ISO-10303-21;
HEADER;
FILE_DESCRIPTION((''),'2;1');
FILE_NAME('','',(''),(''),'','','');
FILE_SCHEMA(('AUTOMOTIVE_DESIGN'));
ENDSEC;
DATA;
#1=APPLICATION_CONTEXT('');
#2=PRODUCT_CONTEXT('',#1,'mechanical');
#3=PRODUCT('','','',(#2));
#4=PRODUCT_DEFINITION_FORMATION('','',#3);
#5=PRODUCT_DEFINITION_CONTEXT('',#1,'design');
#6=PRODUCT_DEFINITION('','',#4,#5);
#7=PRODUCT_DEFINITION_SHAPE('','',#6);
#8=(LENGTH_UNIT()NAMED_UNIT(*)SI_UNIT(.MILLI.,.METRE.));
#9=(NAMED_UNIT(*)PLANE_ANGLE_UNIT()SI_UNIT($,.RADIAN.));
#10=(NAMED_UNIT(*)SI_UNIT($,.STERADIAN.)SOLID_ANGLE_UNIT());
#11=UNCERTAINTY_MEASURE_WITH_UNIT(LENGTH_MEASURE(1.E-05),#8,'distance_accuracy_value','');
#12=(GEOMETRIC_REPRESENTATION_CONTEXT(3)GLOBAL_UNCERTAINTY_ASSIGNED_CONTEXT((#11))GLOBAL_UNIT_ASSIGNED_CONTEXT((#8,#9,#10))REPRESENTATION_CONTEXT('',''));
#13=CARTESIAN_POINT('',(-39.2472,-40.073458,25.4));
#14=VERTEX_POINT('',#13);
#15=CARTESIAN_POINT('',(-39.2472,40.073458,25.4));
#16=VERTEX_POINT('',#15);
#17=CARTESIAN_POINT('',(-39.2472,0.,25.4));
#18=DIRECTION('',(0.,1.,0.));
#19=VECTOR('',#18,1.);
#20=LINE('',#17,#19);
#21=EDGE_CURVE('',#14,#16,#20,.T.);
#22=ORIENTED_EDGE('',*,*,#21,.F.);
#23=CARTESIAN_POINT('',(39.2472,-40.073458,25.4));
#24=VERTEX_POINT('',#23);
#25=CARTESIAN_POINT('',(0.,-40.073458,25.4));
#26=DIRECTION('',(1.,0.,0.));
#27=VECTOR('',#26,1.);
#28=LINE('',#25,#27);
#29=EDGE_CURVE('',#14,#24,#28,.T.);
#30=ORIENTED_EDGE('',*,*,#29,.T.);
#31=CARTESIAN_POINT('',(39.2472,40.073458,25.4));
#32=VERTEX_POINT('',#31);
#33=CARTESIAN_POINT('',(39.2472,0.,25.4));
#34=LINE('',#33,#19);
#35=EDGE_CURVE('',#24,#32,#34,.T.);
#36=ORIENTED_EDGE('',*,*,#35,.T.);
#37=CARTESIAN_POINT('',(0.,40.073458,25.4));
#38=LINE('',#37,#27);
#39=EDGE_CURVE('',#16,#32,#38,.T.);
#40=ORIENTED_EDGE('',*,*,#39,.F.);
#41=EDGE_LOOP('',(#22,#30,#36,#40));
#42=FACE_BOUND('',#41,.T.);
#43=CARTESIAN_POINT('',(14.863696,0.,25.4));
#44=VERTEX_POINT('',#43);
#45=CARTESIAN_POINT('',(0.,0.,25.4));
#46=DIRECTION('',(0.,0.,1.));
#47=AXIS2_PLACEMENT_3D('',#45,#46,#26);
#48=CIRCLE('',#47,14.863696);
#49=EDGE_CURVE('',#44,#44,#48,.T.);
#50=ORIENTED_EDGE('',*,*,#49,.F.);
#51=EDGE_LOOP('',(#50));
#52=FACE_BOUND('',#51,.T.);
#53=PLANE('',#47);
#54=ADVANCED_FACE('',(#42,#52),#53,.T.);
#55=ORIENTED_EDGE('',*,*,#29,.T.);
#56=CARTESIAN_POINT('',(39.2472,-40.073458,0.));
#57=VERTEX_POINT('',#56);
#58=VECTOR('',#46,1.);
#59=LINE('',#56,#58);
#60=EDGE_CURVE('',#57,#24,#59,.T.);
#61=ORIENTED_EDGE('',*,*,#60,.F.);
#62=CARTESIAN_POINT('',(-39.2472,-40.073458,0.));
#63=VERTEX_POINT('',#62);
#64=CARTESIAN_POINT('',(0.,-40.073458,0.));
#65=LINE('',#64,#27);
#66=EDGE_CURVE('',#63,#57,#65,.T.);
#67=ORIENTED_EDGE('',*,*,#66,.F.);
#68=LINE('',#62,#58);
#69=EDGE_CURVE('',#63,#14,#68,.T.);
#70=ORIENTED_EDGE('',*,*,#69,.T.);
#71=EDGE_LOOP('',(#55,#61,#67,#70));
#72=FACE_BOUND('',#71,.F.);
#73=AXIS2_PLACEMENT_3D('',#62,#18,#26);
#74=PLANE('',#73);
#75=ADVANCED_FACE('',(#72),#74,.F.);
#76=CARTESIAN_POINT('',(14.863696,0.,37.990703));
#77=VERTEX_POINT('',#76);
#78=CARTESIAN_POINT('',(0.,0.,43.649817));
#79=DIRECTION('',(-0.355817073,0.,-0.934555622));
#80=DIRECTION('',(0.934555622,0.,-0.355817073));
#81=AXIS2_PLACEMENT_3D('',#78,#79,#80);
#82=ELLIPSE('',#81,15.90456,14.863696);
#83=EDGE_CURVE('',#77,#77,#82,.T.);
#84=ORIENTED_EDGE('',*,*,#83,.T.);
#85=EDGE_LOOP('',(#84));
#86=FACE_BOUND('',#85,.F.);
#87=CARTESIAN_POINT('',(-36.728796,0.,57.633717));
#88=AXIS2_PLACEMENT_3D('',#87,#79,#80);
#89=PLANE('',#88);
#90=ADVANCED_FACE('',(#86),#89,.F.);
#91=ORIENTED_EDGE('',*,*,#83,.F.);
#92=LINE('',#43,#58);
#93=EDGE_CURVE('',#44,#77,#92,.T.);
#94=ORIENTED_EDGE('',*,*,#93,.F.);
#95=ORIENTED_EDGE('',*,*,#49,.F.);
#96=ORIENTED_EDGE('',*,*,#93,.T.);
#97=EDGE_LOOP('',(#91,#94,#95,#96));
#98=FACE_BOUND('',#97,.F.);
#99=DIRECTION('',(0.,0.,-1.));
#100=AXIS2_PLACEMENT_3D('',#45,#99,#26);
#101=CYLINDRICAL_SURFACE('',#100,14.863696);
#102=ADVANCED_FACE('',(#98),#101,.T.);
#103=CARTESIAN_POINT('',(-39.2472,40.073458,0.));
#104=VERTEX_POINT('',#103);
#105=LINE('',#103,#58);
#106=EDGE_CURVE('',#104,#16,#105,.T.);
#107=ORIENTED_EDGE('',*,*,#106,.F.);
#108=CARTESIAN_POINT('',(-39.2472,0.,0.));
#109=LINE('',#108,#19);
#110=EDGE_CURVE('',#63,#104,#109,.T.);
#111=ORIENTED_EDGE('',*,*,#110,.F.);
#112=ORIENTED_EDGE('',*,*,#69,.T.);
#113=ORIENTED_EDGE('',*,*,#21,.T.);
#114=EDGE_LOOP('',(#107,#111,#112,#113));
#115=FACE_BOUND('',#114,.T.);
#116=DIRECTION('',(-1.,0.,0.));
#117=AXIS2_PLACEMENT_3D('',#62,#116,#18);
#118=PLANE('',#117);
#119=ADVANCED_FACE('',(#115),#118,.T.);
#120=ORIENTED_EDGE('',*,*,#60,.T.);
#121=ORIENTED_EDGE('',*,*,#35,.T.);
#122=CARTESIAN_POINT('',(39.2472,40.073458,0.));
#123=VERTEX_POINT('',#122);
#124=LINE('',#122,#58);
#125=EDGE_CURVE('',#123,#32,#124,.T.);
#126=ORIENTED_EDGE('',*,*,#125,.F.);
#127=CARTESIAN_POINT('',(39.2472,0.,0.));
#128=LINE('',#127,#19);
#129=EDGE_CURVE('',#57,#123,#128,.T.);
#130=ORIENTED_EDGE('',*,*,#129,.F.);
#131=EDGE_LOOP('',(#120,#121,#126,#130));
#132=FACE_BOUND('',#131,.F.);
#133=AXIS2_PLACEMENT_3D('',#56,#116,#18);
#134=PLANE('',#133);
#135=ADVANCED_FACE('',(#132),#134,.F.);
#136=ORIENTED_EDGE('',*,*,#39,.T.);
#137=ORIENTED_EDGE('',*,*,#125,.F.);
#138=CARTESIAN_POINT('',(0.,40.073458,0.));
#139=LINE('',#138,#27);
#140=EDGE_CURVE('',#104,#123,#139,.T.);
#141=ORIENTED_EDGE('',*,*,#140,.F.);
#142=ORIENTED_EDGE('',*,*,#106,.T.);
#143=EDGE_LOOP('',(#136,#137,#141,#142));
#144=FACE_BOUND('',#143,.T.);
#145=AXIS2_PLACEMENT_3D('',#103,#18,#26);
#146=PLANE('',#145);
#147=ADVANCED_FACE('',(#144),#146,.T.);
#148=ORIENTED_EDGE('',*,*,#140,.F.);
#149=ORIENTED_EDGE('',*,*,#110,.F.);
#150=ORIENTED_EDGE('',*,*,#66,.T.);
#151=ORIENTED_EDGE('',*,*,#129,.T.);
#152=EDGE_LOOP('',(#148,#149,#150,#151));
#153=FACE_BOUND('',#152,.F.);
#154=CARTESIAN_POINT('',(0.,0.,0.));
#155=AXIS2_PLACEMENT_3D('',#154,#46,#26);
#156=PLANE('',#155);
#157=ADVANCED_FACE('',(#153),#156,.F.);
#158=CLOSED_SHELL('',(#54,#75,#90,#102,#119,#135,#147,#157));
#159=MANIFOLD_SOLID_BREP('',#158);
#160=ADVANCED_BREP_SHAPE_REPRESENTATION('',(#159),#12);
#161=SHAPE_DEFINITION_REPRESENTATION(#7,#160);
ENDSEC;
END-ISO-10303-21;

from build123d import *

# Parameters (mm, degrees)
F0_W     = 78.4944
F0_H     = 80.146916
F1_DEPTH = 25.4
F2_R     = 14.863696
F3_DEPTH = 25.4
F5_DEPTH = 21.336


with BuildPart() as f1:
    # F0 (on Top) → F1 (new body)
    with BuildSketch(Plane.XY):
        Rectangle(F0_W, F0_H)
    extrude(amount=F1_DEPTH)

    # F2 (on face) → F3 (join)
    with BuildSketch(Plane.XY.offset(25.4)):
        Circle(F2_R)
    extrude(amount=F3_DEPTH)

    # F4 (on Front) → F5 (cut, symmetric)
    with BuildSketch(Plane.XZ):
        Polygon((26.566675, 57.633717), (-36.728796, 57.633717), (26.566675, 33.534981), align=None)
    extrude(amount=F5_DEPTH, both=True, mode=Mode.SUBTRACT)


solid = f1.part
